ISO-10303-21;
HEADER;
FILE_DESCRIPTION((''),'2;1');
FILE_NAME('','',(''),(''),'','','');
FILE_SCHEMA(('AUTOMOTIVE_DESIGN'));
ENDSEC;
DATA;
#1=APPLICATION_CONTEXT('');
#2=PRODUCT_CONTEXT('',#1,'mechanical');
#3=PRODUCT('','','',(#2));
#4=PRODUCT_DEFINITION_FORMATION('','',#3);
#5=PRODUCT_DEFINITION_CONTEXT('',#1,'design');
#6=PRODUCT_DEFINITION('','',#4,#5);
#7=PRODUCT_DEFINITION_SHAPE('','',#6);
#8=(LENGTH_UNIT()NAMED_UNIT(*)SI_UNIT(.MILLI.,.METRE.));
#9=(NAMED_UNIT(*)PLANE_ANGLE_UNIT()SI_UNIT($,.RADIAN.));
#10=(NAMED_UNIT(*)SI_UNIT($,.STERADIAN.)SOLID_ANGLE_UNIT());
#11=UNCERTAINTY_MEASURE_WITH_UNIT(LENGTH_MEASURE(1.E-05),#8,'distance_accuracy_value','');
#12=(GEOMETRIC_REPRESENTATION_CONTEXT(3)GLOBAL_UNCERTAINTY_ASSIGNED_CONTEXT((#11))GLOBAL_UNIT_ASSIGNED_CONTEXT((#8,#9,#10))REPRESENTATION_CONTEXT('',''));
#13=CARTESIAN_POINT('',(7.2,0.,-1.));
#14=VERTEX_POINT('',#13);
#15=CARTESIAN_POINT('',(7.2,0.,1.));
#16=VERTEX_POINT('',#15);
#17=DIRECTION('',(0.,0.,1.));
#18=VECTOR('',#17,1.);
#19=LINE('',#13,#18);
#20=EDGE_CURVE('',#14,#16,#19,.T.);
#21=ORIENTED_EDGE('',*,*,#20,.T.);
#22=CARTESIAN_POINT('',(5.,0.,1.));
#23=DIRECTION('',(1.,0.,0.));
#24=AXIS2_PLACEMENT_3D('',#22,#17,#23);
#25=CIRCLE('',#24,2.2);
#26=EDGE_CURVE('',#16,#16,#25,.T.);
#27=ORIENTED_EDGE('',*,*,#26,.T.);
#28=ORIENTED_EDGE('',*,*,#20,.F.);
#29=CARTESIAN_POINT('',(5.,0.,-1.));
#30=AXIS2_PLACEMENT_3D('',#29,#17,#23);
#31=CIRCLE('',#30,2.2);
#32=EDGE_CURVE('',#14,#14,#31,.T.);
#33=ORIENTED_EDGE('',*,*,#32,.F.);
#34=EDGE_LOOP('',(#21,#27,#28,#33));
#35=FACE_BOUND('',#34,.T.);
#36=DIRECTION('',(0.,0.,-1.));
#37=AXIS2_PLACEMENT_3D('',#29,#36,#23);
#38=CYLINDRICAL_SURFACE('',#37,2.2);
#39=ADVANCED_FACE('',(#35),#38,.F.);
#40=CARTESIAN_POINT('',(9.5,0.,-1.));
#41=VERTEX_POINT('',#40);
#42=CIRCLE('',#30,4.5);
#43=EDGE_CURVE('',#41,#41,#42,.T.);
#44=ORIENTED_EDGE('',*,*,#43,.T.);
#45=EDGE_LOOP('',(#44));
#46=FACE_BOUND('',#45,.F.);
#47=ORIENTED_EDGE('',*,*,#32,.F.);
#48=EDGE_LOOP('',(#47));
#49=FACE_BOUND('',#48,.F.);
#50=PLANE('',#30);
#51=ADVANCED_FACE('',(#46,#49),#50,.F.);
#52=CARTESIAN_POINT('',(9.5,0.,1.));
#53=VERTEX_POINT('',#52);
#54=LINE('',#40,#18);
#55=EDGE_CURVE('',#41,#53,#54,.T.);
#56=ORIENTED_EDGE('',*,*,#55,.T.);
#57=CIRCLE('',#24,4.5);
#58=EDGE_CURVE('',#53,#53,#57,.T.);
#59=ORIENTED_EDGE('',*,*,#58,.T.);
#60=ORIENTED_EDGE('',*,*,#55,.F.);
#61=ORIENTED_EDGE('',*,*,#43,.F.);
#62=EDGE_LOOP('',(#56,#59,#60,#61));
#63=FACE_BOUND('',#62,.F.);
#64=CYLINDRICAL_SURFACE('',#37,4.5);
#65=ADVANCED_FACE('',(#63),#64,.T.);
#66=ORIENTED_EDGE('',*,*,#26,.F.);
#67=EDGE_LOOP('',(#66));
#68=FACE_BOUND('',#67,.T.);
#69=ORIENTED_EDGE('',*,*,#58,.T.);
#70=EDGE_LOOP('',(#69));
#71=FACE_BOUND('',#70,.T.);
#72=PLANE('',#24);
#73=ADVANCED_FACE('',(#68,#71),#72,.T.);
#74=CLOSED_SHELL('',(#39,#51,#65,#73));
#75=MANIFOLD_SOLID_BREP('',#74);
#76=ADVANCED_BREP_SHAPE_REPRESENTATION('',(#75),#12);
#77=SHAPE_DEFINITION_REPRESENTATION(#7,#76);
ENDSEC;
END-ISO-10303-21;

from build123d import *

# Parameters (mm, degrees)
CYLINDER015_R     = 2.2
CYLINDER015_DEPTH = 2
CYLINDER014_R     = 4.5
CYLINDER014_DEPTH = 2


with BuildPart() as cylinder015:
    # Cylinder015 → Cylinder015 (new body)
    with BuildSketch(Plane(origin=(5, 0, -1), x_dir=(1, 0, 0), z_dir=(0, 0, 1))):
        Circle(CYLINDER015_R)
    extrude(amount=CYLINDER015_DEPTH)


with BuildPart() as cut005:
    # Cylinder014 → Cylinder014 (new body)
    with BuildSketch(Plane(origin=(5, 0, -1), x_dir=(1, 0, 0), z_dir=(0, 0, 1))):
        Circle(CYLINDER014_R)
    extrude(amount=CYLINDER014_DEPTH)

    # Cut005: cut Cylinder015
    add(cylinder015.part, mode=Mode.SUBTRACT)


solid = cut005.part
